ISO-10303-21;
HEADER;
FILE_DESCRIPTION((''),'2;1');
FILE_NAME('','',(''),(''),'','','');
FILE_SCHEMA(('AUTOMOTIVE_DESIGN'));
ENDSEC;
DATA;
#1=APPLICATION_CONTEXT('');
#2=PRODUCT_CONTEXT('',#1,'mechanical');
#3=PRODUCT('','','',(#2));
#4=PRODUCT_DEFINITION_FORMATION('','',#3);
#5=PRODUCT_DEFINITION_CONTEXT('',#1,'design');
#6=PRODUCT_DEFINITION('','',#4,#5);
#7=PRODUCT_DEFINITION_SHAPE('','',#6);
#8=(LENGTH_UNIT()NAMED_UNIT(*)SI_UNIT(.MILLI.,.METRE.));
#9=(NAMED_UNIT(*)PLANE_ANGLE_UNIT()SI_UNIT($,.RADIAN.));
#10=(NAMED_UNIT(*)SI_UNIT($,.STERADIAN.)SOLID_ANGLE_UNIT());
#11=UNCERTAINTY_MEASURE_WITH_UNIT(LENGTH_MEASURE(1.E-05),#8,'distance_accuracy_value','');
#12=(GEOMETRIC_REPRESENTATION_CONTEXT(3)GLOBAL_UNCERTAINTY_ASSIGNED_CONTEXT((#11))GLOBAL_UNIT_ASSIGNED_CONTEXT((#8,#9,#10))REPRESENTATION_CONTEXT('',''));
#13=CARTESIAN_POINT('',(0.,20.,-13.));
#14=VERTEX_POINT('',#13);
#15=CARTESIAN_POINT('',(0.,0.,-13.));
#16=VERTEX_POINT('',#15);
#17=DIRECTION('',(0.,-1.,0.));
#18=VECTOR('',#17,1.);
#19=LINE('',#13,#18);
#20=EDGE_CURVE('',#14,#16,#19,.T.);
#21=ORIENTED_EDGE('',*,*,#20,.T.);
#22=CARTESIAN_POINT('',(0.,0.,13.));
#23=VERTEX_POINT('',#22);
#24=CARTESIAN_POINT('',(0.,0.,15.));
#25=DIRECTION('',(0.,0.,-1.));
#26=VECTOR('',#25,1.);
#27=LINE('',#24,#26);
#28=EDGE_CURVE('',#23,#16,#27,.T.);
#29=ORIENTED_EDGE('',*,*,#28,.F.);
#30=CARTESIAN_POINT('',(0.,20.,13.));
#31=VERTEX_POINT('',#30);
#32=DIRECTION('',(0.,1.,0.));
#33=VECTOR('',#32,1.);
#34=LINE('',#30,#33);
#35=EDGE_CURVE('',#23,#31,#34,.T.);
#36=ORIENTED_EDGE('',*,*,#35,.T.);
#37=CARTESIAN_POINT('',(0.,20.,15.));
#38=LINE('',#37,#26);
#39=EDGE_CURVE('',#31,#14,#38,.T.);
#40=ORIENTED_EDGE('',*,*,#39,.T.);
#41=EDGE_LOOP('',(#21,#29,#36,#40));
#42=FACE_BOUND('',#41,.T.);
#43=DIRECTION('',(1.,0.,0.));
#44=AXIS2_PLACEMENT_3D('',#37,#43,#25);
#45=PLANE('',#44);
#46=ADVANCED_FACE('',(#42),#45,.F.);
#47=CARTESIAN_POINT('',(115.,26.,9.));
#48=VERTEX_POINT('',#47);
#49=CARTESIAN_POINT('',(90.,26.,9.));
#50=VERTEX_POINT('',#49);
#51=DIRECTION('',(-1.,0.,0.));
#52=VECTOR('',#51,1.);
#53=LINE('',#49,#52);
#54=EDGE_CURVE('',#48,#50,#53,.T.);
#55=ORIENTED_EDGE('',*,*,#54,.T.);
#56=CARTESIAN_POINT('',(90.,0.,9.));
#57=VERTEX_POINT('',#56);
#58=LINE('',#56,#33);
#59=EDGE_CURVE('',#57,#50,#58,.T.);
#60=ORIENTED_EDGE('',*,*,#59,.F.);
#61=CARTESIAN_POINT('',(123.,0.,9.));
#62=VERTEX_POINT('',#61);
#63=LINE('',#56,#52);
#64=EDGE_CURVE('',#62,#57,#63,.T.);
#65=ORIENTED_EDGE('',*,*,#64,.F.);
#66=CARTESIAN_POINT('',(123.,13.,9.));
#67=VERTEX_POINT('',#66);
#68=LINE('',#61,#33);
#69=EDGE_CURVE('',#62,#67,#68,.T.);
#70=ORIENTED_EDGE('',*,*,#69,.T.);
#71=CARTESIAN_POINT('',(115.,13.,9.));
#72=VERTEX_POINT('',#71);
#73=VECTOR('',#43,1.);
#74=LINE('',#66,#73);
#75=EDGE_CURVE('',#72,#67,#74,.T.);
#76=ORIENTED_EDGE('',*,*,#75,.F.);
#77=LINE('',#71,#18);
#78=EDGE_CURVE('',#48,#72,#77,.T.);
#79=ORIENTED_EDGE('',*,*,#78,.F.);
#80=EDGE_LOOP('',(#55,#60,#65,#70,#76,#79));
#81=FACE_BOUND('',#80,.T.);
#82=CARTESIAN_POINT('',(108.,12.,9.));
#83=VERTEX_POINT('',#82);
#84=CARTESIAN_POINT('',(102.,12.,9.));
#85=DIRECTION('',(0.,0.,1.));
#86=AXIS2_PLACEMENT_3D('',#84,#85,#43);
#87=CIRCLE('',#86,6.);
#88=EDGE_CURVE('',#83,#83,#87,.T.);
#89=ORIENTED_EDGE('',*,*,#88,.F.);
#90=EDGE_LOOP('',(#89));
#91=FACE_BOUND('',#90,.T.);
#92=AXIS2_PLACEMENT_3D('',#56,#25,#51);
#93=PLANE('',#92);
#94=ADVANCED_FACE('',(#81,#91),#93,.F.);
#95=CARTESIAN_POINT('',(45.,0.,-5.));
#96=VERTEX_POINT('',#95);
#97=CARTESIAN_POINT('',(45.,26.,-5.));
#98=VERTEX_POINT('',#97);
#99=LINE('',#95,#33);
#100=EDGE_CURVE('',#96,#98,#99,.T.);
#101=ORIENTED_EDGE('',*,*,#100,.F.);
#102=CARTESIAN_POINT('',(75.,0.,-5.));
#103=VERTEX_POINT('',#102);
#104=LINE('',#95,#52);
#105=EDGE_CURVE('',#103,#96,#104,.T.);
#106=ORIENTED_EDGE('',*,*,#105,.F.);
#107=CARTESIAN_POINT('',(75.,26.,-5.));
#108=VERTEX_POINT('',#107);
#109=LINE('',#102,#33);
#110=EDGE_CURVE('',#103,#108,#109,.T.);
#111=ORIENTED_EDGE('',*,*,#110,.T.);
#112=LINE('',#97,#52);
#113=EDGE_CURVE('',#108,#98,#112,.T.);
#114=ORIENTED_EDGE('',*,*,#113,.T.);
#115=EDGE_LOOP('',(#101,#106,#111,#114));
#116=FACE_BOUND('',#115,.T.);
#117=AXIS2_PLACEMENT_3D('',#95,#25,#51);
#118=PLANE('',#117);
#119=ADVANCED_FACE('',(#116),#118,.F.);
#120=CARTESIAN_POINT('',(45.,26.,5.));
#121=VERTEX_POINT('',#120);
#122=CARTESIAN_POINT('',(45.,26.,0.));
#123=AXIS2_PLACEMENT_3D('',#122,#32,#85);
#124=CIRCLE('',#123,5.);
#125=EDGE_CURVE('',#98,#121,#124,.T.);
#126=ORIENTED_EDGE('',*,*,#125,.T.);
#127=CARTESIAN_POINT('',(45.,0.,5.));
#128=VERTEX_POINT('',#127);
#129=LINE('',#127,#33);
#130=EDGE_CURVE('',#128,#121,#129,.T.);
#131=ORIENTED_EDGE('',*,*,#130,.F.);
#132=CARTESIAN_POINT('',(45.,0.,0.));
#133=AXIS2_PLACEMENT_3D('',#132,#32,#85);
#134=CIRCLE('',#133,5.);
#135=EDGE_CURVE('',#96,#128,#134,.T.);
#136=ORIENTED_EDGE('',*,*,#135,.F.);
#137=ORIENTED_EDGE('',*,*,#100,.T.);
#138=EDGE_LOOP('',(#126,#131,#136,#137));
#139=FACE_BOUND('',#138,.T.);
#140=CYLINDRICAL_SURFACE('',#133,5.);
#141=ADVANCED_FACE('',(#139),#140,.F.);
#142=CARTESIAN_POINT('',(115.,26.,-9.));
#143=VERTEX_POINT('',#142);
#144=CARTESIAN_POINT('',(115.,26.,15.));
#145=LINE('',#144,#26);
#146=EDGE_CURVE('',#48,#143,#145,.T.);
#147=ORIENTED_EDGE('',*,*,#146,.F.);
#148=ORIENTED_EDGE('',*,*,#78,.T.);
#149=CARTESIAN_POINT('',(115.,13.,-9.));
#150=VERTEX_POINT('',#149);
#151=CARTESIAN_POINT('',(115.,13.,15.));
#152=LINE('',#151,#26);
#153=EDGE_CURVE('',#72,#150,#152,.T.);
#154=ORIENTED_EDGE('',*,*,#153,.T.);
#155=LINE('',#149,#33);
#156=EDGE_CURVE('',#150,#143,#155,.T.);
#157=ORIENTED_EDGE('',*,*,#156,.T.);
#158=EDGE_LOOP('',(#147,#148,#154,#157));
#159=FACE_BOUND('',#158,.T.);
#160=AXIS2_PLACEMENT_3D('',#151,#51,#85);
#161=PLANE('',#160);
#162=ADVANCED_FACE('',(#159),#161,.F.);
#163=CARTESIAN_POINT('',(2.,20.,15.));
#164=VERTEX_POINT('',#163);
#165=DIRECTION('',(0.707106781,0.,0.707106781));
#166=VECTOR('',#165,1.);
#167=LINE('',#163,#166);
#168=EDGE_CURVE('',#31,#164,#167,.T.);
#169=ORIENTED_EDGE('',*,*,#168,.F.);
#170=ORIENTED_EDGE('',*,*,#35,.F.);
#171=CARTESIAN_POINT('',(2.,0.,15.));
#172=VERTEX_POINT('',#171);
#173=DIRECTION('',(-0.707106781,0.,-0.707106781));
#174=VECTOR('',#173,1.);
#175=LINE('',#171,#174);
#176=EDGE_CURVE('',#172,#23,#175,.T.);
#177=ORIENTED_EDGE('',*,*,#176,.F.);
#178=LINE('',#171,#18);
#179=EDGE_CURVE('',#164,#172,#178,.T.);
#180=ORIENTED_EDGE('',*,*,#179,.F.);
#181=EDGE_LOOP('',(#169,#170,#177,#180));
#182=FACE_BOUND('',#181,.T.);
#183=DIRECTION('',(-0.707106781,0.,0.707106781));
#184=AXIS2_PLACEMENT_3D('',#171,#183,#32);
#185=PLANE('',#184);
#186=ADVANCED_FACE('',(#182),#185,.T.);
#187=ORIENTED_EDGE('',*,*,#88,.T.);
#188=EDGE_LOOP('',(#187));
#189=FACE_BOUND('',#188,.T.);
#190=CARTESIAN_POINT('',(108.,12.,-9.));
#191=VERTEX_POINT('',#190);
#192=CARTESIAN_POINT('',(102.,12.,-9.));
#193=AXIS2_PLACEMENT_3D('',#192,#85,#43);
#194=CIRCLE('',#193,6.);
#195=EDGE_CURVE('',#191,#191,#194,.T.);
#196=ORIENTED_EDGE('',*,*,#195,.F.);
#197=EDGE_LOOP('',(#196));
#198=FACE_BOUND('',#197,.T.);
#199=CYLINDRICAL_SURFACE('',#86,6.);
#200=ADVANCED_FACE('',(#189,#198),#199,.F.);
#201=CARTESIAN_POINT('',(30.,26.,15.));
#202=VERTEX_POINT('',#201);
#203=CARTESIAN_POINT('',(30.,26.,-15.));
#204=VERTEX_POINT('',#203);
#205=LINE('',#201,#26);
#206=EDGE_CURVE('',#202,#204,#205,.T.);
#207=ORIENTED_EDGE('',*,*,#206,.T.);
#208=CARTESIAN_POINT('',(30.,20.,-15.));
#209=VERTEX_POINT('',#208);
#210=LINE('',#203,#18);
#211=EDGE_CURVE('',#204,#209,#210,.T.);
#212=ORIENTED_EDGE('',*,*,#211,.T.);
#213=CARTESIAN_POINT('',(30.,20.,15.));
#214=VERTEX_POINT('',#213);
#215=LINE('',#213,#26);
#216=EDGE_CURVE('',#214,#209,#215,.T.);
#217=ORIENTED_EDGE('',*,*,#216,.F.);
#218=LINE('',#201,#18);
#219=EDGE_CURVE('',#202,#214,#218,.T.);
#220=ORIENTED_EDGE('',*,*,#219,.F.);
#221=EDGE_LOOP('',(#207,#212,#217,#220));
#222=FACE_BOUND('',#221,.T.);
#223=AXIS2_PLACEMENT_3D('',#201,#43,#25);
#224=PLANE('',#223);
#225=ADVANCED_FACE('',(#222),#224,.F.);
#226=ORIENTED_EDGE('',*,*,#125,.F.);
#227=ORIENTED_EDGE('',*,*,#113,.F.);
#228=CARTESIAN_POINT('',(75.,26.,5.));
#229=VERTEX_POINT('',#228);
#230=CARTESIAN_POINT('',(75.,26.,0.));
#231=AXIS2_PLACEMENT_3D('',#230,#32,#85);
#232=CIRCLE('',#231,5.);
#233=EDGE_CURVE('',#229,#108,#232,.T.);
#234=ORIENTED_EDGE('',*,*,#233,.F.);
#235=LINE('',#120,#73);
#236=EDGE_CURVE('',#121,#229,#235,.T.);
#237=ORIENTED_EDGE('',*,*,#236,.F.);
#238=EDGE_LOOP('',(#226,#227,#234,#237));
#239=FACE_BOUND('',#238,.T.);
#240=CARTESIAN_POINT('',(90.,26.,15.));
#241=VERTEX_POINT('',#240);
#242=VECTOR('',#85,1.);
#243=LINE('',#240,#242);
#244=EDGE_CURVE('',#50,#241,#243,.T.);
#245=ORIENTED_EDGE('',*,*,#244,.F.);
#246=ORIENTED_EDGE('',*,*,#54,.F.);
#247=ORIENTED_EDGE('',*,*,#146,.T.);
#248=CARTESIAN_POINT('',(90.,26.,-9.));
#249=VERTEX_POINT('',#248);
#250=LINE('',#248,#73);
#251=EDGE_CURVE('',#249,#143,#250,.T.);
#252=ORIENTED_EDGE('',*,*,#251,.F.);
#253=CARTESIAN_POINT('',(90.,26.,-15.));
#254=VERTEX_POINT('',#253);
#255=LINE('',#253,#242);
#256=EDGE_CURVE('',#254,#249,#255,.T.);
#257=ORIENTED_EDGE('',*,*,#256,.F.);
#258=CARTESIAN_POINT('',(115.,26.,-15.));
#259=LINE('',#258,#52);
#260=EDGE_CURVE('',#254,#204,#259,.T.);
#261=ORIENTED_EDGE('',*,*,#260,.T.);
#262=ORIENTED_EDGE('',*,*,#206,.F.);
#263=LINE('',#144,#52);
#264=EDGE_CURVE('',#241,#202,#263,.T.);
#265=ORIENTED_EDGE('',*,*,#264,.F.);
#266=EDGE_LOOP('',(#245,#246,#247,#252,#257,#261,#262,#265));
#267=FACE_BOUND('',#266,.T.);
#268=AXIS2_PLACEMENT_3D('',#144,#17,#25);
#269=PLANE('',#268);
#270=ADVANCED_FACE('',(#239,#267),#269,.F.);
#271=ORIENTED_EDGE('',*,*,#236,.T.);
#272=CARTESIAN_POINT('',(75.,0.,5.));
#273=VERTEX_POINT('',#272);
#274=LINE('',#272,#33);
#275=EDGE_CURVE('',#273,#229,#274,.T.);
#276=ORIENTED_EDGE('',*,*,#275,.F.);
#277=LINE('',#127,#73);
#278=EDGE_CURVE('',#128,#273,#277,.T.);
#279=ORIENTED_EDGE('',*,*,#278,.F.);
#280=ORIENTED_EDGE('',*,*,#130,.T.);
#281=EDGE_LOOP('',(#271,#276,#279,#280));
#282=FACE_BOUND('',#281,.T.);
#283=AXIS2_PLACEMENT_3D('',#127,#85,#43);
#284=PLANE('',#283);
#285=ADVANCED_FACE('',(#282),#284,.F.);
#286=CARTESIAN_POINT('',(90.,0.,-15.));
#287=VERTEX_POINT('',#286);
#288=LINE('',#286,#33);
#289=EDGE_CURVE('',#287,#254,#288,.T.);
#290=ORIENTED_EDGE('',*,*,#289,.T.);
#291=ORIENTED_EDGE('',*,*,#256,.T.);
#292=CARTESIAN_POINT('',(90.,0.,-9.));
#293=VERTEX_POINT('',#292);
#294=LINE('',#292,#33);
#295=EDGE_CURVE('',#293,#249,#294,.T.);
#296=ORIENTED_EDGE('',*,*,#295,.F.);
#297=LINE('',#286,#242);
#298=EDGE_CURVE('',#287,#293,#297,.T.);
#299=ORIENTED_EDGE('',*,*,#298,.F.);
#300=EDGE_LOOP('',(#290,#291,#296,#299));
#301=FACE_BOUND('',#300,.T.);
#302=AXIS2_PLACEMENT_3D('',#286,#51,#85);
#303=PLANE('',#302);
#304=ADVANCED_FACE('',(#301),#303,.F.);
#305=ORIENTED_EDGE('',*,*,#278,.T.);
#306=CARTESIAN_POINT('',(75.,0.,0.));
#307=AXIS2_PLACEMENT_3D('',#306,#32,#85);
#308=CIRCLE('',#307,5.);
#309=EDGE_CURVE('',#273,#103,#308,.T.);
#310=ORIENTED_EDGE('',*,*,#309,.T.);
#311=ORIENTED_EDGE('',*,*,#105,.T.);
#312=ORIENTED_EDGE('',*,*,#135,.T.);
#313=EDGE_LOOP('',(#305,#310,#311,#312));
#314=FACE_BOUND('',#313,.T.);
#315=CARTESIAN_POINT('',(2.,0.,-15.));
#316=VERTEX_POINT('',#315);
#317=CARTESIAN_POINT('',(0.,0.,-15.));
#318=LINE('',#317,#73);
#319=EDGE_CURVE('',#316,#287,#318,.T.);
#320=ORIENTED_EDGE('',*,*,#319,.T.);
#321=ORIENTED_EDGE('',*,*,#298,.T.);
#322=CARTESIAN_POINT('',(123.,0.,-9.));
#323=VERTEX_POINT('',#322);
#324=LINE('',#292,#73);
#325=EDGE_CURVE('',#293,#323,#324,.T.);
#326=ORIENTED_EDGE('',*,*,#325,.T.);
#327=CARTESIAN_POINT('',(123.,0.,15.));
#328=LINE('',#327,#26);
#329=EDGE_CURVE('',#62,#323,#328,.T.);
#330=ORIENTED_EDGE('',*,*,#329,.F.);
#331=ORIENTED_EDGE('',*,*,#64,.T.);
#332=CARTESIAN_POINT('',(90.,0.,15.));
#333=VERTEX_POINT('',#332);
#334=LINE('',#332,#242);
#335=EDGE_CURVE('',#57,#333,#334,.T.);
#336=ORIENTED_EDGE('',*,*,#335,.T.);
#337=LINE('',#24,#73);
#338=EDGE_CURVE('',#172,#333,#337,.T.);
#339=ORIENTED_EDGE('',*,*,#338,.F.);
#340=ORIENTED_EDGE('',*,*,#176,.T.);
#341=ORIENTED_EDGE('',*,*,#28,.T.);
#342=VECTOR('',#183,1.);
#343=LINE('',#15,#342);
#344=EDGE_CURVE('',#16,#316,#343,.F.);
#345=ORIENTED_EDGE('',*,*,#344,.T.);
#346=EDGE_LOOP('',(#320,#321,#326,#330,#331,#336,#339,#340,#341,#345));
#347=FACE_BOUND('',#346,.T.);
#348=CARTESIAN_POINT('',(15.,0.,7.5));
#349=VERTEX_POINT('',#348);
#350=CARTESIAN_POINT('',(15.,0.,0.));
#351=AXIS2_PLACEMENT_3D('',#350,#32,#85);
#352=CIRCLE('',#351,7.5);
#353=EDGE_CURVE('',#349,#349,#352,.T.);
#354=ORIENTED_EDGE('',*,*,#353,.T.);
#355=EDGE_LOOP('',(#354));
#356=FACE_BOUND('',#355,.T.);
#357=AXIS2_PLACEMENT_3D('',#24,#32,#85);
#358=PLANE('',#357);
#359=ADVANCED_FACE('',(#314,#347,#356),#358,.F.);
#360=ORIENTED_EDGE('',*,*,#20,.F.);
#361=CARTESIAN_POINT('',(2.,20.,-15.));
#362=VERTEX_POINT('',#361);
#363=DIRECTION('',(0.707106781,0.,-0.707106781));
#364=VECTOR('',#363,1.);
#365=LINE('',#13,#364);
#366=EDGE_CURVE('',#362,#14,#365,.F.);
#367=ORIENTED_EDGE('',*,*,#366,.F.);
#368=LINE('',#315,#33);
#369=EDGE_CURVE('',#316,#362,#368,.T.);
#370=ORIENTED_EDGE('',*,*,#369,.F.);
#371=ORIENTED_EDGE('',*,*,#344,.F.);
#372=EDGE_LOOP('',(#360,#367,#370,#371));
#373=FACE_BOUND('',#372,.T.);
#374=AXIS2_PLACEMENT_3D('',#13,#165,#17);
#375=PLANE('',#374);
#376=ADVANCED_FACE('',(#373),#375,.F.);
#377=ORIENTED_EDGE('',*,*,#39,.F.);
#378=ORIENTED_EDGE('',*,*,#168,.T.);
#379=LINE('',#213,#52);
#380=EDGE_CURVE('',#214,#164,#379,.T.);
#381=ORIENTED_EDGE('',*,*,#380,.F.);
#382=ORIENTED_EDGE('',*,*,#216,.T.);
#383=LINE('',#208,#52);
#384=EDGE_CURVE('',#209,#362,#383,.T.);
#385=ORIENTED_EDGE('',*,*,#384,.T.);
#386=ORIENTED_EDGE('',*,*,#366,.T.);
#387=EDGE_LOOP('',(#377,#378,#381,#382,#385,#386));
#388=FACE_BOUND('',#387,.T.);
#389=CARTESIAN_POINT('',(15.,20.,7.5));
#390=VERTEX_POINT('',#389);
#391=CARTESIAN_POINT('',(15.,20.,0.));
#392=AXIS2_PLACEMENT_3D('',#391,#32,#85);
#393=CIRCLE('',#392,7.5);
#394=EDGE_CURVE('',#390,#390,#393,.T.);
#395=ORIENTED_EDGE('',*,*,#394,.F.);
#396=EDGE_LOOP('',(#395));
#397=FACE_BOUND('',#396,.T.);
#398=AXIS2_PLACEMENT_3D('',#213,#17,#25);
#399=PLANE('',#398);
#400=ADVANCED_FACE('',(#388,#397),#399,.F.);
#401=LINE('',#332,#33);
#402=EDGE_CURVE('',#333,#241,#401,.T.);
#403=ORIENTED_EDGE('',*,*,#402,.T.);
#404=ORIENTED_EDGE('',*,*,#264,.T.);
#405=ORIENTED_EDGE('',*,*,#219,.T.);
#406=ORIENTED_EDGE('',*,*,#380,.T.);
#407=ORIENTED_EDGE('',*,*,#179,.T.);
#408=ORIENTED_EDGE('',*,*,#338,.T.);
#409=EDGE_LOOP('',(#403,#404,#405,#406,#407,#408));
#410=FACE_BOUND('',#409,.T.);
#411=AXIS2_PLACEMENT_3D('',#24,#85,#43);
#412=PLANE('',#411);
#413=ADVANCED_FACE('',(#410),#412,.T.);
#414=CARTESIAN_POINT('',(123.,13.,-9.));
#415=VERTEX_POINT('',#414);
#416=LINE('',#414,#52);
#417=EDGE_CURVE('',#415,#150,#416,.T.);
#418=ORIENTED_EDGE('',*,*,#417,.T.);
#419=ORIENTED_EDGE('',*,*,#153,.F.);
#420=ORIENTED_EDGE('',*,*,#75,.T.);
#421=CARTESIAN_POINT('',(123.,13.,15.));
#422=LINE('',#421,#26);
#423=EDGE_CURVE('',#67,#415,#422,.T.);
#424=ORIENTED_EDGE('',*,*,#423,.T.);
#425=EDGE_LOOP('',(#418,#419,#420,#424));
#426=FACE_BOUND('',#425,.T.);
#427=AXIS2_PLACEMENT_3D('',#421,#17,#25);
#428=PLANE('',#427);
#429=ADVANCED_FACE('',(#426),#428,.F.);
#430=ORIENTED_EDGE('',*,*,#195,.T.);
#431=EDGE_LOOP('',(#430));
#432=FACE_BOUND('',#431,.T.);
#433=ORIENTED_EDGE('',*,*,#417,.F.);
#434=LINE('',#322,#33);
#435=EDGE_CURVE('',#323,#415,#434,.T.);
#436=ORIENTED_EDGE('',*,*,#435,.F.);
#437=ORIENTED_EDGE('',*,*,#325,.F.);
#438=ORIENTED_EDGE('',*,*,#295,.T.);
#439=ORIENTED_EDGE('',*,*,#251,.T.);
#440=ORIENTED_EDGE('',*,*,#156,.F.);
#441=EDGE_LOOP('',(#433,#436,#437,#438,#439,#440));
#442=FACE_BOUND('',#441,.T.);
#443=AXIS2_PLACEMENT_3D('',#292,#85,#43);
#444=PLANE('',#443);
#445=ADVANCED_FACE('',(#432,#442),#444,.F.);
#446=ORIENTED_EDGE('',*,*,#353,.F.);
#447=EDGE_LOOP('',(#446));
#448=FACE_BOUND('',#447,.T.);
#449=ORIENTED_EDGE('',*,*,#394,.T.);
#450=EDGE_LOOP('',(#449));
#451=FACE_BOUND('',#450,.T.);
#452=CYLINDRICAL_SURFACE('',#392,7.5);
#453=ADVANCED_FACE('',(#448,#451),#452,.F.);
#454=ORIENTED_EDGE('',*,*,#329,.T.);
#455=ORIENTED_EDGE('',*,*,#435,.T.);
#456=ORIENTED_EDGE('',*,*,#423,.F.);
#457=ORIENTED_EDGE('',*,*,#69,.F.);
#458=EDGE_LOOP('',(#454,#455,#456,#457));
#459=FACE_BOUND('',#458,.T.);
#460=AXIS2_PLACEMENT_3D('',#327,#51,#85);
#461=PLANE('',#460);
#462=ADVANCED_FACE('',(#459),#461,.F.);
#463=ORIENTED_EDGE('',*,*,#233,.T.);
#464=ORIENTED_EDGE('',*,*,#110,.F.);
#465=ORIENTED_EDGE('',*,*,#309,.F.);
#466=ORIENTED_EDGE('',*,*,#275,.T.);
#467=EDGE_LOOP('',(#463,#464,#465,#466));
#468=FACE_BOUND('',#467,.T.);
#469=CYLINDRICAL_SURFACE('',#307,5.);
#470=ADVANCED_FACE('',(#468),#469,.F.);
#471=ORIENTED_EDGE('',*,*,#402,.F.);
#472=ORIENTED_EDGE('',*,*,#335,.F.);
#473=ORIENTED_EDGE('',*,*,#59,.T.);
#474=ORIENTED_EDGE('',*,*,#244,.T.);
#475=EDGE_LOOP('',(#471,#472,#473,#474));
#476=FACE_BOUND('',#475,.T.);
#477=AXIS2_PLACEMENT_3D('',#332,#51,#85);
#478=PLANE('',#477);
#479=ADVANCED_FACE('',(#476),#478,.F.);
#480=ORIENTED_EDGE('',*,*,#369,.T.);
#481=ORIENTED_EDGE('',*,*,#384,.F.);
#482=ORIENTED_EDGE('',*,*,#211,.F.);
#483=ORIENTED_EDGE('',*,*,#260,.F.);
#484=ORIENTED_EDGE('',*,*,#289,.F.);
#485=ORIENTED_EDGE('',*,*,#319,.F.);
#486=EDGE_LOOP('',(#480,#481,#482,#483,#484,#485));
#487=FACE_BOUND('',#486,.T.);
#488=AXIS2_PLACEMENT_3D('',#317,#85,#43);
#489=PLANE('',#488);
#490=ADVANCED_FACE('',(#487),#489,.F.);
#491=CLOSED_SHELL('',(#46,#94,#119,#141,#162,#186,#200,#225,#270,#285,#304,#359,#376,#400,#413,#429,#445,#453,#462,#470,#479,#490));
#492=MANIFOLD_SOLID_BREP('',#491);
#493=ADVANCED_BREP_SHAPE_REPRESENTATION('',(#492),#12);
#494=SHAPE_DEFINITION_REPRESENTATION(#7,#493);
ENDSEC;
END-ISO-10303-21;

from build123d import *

# Parameters (mm, degrees)
ESTRUSIONE_ESTRUSIONE1_DEPTH = 15
SCHIZZO3_W                   = 33
SCHIZZO3_H                   = 6
TAGLIO_ESTRUSIONE1_DEPTH     = 127.609636284
TAGLIO_ESTRUSIONE2_DEPTH     = 127.609636284
FORO_15_0_15_2_D             = 15
FORO_12_0_12_1_D             = 12
SMUSSO1_SIZE                 = 2


with BuildPart() as part:
    # Schizzo2 → Estrusione-Estrusione1 (new, symmetric)
    with BuildSketch(Plane.XY):
        Polygon((0, 0), (123, 0), (123, 13), (115, 13), (115, 26), (30, 26), (30, 20), (0, 20), align=None)
    extrude(amount=ESTRUSIONE_ESTRUSIONE1_DEPTH, both=True)

    # Schizzo3 → Taglio-Estrusione1 (cut, through all)
    with BuildSketch(Plane(origin=(0, 26, 0), x_dir=(1, 0, 0), z_dir=(0, 1, 0))):
        with Locations((106.5, -12)):
            Rectangle(SCHIZZO3_W, SCHIZZO3_H)
        with Locations((106.5, 12)):
            Rectangle(SCHIZZO3_W, SCHIZZO3_H)
    extrude(amount=-TAGLIO_ESTRUSIONE1_DEPTH, mode=Mode.SUBTRACT)

    # Schizzo4 → Taglio-Estrusione2 (cut, through all)
    with BuildSketch(Plane(origin=(0, 26, 0), x_dir=(1, 0, 0), z_dir=(0, 1, 0))):
        with BuildLine():
            Line((45, 5), (75, 5))
            ThreePointArc((75, 5), (80, 0), (75, -5))
            Line((75, -5), (45, -5))
            ThreePointArc((45, -5), (40, 0), (45, 5))
        make_face()
    extrude(amount=-TAGLIO_ESTRUSIONE2_DEPTH, mode=Mode.SUBTRACT)

    # Foro Ø15.0 (15)-2 (through all)
    with Locations(Plane(origin=(0, 20, 0), x_dir=(1, 0, 0), z_dir=(0, 1, 0))):
        with Locations((15, 0)):
            Hole(FORO_15_0_15_2_D / 2)

    # Foro Ø12.0 (12)-1 (through all)
    with Locations(Plane.XY.offset(9)):
        with Locations((102, 12)):
            Hole(FORO_12_0_12_1_D / 2)

    # Smusso1
    smusso1_edges = [part.edges().sort_by_distance(p)[0] for p in [
        (0, 10, -15),
        (0, 10, 15),
    ]]
    chamfer(smusso1_edges, length=SMUSSO1_SIZE)


solid = part.part
